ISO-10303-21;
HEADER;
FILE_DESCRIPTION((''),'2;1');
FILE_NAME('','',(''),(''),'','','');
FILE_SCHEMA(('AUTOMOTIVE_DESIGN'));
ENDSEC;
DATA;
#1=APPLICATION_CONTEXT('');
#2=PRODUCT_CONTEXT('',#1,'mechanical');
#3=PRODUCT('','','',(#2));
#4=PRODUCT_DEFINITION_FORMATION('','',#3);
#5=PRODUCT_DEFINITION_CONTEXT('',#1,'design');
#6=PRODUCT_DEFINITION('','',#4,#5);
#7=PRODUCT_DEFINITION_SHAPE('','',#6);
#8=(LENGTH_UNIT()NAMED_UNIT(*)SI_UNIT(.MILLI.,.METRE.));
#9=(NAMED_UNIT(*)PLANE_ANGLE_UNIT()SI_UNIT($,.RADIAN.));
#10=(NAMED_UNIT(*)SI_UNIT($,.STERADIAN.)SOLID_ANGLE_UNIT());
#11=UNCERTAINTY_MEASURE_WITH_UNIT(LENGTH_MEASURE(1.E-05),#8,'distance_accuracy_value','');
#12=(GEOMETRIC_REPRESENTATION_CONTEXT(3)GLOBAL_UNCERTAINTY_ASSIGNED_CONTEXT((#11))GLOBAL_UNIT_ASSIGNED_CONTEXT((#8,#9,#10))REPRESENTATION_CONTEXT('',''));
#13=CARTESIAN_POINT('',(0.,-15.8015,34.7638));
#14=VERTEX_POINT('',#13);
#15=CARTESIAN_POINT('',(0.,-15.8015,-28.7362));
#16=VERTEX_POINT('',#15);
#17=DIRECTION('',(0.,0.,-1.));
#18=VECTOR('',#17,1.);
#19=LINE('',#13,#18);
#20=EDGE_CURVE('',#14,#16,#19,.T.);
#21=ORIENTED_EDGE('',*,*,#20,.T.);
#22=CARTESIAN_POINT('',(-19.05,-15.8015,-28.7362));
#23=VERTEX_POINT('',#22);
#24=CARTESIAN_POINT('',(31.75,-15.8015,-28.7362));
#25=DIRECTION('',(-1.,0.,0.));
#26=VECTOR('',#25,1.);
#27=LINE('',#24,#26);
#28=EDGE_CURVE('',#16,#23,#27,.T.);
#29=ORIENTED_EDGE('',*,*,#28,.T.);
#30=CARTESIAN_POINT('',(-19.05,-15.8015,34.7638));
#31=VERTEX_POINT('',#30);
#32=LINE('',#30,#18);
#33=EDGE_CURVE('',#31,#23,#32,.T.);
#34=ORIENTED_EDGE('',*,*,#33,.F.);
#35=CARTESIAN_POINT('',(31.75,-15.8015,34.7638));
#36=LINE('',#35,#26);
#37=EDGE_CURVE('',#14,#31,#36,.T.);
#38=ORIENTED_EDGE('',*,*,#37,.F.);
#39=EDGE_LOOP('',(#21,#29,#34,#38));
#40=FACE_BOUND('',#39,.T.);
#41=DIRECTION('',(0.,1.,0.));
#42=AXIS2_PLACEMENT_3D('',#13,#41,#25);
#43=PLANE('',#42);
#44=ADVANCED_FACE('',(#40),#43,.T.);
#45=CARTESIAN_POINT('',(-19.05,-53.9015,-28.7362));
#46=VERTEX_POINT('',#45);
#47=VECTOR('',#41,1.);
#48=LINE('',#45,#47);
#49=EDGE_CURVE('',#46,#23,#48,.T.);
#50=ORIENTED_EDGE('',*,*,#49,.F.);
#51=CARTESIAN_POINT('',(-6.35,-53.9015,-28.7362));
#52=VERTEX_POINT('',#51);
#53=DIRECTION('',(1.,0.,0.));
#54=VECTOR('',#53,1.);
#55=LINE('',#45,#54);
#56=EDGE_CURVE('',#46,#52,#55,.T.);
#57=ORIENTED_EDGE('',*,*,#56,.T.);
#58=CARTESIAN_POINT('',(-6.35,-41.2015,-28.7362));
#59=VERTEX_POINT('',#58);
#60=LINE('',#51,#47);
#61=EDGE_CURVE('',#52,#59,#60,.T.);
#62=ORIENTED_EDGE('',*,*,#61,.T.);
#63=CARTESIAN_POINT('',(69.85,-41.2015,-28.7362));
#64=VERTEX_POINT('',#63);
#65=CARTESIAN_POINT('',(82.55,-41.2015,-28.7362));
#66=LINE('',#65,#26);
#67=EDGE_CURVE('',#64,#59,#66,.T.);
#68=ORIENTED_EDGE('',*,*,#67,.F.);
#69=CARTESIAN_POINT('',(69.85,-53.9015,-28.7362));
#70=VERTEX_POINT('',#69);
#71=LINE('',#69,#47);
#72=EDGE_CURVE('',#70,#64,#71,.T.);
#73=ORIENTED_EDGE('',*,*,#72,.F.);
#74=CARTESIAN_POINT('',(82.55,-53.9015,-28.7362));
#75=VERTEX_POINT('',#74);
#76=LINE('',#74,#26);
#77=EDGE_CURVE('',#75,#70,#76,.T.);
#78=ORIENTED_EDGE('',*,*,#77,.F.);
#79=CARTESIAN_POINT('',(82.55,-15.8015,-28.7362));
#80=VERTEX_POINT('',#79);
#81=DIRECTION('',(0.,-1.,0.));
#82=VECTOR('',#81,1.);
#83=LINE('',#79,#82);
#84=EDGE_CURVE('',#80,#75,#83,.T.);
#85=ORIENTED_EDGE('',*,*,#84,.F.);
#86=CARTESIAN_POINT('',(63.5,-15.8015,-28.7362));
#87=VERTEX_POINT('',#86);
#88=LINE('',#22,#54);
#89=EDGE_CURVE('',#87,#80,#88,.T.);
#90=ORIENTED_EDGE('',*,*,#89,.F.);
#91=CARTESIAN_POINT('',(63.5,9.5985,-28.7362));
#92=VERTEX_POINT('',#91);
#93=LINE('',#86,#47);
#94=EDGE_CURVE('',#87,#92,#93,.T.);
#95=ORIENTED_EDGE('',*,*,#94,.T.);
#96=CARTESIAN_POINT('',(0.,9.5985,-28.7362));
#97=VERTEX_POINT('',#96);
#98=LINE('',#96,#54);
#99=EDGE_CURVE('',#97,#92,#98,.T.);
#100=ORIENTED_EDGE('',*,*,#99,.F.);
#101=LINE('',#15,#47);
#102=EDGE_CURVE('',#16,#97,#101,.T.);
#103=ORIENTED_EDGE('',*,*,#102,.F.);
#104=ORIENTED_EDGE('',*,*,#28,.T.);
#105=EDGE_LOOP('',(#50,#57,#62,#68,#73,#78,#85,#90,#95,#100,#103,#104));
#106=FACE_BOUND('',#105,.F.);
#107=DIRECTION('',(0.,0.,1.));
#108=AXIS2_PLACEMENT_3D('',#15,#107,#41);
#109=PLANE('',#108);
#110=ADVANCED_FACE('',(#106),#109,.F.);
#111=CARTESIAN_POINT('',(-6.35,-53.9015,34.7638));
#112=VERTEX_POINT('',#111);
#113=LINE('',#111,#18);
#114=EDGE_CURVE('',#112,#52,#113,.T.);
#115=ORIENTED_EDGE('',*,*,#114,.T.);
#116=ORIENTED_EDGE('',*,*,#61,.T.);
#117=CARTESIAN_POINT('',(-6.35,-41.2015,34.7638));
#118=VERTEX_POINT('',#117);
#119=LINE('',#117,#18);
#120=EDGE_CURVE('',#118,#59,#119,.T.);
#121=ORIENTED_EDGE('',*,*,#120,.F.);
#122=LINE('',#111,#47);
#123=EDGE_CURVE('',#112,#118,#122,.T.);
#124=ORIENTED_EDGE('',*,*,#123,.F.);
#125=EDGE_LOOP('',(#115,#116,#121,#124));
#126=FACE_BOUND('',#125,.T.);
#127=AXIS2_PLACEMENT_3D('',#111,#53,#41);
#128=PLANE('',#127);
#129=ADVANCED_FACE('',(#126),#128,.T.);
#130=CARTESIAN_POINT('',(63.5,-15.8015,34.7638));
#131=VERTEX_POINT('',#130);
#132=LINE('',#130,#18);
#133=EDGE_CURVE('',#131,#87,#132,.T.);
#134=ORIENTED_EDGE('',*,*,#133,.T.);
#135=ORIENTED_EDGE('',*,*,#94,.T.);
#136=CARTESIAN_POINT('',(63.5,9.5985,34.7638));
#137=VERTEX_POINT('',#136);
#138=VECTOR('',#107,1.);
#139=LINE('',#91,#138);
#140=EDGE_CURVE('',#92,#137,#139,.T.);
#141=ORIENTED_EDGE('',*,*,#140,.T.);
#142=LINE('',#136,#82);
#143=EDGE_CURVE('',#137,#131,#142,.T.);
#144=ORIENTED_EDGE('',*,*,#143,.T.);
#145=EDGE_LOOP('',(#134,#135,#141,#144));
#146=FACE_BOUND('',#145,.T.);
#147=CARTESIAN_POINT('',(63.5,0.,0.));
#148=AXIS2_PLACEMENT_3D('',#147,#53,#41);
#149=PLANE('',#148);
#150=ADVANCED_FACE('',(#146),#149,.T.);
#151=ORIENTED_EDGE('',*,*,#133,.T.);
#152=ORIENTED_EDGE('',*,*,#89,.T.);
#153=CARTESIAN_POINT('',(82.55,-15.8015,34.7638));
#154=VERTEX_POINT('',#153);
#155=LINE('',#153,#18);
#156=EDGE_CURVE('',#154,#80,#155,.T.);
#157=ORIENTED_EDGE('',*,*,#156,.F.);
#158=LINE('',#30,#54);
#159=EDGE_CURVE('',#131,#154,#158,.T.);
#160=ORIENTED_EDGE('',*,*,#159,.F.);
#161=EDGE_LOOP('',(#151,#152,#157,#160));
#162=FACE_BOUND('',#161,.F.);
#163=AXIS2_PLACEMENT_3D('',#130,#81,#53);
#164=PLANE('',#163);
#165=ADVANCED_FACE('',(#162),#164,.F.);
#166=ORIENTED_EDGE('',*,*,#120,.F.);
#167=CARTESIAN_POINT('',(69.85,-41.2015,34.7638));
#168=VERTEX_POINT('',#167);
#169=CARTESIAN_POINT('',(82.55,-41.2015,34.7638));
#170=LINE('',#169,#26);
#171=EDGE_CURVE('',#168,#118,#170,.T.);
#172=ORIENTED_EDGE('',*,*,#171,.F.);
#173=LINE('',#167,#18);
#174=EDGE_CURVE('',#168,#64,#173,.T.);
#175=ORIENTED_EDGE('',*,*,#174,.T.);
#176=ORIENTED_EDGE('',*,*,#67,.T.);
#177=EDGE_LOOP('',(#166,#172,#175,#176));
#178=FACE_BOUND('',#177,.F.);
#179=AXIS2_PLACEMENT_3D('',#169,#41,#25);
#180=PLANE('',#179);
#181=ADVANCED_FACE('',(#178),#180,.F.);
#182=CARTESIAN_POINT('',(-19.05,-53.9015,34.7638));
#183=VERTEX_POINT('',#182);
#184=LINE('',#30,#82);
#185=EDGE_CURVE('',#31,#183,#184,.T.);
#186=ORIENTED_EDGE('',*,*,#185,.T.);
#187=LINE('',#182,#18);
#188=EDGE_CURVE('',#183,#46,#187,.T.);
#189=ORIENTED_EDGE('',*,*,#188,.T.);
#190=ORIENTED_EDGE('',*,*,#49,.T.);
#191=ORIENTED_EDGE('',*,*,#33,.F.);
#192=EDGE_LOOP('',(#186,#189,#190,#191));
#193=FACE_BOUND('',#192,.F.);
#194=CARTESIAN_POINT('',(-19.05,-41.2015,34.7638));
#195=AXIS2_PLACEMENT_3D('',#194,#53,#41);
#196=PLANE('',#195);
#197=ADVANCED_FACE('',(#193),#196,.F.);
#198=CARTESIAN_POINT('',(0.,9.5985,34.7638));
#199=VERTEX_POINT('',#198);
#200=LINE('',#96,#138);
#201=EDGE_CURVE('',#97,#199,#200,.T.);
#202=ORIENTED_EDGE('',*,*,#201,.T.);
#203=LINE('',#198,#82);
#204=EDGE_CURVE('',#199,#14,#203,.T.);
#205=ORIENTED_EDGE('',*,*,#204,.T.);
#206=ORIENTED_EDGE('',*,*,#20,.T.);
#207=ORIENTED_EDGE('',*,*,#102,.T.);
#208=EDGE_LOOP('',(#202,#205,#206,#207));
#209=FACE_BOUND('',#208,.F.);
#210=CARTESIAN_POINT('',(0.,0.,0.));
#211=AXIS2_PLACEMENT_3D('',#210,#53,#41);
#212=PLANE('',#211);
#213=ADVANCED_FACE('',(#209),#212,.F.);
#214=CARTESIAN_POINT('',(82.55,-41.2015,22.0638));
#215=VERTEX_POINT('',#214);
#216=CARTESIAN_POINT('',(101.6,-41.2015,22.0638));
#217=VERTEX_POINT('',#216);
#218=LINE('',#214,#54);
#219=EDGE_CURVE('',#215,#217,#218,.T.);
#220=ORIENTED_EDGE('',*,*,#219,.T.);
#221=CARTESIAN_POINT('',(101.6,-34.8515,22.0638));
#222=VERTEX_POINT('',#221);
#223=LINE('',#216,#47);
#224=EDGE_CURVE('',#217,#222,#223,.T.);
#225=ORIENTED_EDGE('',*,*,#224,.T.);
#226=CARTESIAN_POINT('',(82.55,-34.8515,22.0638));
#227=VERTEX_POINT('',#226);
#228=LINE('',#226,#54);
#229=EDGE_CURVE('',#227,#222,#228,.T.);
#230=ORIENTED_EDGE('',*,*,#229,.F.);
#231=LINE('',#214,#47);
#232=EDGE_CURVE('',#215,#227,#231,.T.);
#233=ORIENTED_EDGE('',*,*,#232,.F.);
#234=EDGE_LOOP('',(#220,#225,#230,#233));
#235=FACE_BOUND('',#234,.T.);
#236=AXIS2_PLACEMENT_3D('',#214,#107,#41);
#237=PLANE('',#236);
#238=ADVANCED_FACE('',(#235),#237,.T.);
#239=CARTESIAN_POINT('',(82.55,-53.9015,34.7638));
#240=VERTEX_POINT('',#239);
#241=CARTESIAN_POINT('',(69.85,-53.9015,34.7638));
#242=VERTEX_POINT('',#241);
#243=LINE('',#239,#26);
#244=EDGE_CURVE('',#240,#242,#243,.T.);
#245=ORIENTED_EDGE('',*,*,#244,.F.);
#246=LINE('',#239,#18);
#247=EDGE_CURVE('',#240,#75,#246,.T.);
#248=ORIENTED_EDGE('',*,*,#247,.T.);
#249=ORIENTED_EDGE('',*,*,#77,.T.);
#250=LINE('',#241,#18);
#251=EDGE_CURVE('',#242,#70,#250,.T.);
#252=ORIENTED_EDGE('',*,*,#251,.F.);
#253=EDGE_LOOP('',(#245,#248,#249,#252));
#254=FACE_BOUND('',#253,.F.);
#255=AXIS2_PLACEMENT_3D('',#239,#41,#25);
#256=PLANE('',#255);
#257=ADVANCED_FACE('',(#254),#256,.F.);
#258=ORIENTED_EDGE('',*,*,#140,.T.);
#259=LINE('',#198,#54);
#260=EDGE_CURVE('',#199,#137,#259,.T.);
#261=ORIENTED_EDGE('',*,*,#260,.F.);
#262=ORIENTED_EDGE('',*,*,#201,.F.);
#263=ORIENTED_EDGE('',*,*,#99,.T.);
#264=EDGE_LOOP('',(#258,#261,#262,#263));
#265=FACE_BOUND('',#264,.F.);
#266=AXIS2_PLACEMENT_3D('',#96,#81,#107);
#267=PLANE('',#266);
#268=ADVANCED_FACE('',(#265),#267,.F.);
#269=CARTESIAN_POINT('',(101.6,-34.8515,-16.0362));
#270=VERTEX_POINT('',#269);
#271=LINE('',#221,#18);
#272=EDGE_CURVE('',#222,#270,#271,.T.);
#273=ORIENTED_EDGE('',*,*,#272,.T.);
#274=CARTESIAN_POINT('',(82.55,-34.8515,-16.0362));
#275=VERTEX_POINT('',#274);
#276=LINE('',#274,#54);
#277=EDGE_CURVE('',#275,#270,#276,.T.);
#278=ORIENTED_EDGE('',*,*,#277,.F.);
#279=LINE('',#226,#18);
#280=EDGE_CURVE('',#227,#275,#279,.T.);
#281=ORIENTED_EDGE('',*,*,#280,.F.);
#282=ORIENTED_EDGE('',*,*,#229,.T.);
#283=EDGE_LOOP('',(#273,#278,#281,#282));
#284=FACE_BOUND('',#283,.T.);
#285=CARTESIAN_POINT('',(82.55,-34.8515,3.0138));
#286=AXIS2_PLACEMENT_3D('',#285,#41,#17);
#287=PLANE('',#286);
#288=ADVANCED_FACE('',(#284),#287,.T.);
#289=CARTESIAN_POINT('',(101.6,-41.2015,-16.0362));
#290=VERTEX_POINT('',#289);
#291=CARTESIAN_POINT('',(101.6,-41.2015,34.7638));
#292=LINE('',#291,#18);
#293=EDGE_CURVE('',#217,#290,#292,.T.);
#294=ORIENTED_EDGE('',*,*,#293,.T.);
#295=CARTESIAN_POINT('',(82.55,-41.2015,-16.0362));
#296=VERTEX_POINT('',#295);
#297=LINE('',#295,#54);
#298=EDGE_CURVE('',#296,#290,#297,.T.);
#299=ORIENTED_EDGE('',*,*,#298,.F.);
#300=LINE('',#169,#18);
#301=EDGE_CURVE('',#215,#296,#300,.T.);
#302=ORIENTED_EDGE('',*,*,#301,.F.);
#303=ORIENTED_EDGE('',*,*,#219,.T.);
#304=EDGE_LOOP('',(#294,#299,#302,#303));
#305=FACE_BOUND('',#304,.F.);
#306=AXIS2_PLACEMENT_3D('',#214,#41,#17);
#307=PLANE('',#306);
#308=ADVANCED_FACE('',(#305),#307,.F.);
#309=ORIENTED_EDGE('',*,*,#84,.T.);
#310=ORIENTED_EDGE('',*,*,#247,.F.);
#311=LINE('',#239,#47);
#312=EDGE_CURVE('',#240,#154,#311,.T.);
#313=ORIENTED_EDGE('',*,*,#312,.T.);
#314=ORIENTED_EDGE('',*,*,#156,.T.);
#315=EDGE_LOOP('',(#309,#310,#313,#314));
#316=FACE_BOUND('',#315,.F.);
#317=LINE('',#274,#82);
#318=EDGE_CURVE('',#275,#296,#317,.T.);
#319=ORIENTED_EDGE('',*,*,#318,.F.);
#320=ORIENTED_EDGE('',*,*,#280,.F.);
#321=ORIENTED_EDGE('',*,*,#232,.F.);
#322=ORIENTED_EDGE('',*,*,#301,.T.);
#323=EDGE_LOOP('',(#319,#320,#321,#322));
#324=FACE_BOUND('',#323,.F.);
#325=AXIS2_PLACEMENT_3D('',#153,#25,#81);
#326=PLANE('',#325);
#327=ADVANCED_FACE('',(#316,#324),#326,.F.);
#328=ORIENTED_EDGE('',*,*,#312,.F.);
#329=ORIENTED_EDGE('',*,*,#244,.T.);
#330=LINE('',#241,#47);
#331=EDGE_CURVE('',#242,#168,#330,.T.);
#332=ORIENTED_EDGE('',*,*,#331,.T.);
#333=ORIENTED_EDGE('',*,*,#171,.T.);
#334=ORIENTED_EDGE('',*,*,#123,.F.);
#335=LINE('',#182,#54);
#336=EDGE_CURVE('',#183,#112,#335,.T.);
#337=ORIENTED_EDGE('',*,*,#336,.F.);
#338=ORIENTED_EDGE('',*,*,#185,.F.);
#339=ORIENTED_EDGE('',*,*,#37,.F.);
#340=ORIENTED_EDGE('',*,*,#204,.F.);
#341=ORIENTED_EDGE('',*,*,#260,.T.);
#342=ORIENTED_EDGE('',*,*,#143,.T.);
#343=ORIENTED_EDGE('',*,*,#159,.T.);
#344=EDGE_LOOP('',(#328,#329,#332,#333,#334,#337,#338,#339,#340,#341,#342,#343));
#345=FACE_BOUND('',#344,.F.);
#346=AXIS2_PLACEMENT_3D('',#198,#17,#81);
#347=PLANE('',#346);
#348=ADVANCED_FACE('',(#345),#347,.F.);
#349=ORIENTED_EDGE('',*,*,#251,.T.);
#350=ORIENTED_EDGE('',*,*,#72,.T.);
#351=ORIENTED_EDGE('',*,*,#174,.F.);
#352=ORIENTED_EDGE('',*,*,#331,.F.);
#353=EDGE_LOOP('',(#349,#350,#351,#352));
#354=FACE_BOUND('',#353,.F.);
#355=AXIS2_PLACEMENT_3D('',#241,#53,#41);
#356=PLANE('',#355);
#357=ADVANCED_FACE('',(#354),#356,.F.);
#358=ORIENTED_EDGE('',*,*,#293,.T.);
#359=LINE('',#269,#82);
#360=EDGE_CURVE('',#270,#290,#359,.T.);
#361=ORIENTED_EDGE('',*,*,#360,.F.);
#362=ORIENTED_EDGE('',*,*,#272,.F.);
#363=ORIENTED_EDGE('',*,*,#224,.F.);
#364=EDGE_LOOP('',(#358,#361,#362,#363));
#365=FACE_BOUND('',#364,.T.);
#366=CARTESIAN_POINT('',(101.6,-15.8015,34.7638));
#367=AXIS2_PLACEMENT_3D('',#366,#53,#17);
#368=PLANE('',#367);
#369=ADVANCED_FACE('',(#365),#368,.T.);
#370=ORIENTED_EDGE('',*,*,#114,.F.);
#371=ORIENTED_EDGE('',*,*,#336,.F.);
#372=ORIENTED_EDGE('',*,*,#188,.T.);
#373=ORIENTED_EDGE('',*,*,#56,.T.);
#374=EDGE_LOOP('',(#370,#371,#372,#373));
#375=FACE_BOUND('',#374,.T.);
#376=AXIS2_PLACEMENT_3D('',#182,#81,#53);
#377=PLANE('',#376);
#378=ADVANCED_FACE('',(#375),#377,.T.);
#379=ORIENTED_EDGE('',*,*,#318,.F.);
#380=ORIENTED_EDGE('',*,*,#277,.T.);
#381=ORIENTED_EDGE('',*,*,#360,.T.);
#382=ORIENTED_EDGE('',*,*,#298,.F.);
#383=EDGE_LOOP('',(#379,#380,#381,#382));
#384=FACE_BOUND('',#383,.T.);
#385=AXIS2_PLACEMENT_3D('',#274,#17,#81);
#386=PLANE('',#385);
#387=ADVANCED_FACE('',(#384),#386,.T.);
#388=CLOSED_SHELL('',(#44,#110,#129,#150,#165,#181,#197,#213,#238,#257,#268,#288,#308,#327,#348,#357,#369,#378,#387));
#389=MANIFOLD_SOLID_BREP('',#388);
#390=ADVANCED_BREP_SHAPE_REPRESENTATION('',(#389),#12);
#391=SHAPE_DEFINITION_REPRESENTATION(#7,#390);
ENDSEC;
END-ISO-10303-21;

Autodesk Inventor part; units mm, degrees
ref_plane "YZ Plane" through (0, 0, 0) normal (1, 0, 0) x (0, 1, 0)
ref_plane "XZ Plane" through (0, 0, 0) normal (0, 1, 0) x (-1, 0, 0)
ref_plane "XY Plane" through (0, 0, 0) normal (0, 0, 1) x (1, 0, 0)
sketch "Sketch1" plane through (0, 0, 0) normal (1, 0, 0) x (0, 1, 0)
  line L0 (9.5985, 34.7638) -> (-15.8015, 34.7638)
  line L1 (-15.8015, 34.7638) -> (-15.8015, -28.7362)
  line L2 (-15.8015, -28.7362) -> (9.5985, -28.7362)
  line L3 (9.5985, -28.7362) -> (9.5985, 34.7638)
  point P0 (0, 0)
  dimension "d0" = 25.4
  dimension "d1" = 63.5
extrude "Extrusion1" add sketch "Sketch1" along normal blind 63.5
sketch "Sketch2" plane through (0, -15.8015, 34.7638) normal (0, 0, 1) x (1, 0, 0)
  line L0 (0, 0) -> (63.5, 0) projected
  line L1 (31.75, 0) -> (-19.05, 0)
  line L2 (-19.05, 0) -> (82.55, 0)
  line L3 (82.55, 0) -> (82.55, -25.4)
  line L4 (82.55, -25.4) -> (-19.05, -25.4)
  line L5 (-19.05, -25.4) -> (-19.05, 0)
  point P0 (0, 15.8015)
  dimension "d4" = 50.8
  dimension "d5" = 101.6
  dimension "d6" = 25.4
extrude "Extrusion2" add sketch "Sketch2" against normal blind 63.5
sketch "Sketch3" plane through (0, 9.5985, 34.7638) normal (0, 0, 1) x (1, 0, 0)
  line L0 (82.55, -50.8) -> (-19.05, -50.8) projected
  line L1 (-19.05, -50.8) -> (-19.05, -63.5)
  line L2 (-19.05, -63.5) -> (-6.35, -63.5)
  line L3 (-6.35, -63.5) -> (-6.35, -50.8)
  line L4 (82.55, -50.8) -> (82.55, -63.5)
  line L5 (82.55, -63.5) -> (69.85, -63.5)
  line L6 (69.85, -63.5) -> (69.85, -50.8)
  point P0 (0, -9.5985)
  dimension "d9" = 12.7
  dimension "d10" = 12.7
  dimension "d11" = 12.7
  dimension "d12" = 12.7
extrude "Extrusion3" add sketch "Sketch3" against normal blind 63.5
sketch "Sketch4" plane through (82.55, -15.8015, 34.7638) normal (1, 0, 0) x (0, 0, -1)
  line L0 (0, 0) -> (63.5, 0) projected
  line L1 (31.75, -19.05) -> (12.7, -19.05)
  line L2 (12.7, -19.05) -> (50.8, -19.05)
  line L3 (50.8, -19.05) -> (50.8, -25.4)
  line L4 (0, -25.4) -> (63.5, -25.4) projected
  line L5 (50.8, -25.4) -> (12.7, -25.4)
  line L6 (12.7, -25.4) -> (12.7, -19.05)
  point P0 (34.7638, 15.8015)
  dimension "d16" = 19.05
  dimension "d17" = 38.1
  dimension "d18" = 6.35
  dimension "d19" = 38.1
  dimension "d20" = 6.35
extrude "Extrusion4" add sketch "Sketch4" along normal blind 19.05
